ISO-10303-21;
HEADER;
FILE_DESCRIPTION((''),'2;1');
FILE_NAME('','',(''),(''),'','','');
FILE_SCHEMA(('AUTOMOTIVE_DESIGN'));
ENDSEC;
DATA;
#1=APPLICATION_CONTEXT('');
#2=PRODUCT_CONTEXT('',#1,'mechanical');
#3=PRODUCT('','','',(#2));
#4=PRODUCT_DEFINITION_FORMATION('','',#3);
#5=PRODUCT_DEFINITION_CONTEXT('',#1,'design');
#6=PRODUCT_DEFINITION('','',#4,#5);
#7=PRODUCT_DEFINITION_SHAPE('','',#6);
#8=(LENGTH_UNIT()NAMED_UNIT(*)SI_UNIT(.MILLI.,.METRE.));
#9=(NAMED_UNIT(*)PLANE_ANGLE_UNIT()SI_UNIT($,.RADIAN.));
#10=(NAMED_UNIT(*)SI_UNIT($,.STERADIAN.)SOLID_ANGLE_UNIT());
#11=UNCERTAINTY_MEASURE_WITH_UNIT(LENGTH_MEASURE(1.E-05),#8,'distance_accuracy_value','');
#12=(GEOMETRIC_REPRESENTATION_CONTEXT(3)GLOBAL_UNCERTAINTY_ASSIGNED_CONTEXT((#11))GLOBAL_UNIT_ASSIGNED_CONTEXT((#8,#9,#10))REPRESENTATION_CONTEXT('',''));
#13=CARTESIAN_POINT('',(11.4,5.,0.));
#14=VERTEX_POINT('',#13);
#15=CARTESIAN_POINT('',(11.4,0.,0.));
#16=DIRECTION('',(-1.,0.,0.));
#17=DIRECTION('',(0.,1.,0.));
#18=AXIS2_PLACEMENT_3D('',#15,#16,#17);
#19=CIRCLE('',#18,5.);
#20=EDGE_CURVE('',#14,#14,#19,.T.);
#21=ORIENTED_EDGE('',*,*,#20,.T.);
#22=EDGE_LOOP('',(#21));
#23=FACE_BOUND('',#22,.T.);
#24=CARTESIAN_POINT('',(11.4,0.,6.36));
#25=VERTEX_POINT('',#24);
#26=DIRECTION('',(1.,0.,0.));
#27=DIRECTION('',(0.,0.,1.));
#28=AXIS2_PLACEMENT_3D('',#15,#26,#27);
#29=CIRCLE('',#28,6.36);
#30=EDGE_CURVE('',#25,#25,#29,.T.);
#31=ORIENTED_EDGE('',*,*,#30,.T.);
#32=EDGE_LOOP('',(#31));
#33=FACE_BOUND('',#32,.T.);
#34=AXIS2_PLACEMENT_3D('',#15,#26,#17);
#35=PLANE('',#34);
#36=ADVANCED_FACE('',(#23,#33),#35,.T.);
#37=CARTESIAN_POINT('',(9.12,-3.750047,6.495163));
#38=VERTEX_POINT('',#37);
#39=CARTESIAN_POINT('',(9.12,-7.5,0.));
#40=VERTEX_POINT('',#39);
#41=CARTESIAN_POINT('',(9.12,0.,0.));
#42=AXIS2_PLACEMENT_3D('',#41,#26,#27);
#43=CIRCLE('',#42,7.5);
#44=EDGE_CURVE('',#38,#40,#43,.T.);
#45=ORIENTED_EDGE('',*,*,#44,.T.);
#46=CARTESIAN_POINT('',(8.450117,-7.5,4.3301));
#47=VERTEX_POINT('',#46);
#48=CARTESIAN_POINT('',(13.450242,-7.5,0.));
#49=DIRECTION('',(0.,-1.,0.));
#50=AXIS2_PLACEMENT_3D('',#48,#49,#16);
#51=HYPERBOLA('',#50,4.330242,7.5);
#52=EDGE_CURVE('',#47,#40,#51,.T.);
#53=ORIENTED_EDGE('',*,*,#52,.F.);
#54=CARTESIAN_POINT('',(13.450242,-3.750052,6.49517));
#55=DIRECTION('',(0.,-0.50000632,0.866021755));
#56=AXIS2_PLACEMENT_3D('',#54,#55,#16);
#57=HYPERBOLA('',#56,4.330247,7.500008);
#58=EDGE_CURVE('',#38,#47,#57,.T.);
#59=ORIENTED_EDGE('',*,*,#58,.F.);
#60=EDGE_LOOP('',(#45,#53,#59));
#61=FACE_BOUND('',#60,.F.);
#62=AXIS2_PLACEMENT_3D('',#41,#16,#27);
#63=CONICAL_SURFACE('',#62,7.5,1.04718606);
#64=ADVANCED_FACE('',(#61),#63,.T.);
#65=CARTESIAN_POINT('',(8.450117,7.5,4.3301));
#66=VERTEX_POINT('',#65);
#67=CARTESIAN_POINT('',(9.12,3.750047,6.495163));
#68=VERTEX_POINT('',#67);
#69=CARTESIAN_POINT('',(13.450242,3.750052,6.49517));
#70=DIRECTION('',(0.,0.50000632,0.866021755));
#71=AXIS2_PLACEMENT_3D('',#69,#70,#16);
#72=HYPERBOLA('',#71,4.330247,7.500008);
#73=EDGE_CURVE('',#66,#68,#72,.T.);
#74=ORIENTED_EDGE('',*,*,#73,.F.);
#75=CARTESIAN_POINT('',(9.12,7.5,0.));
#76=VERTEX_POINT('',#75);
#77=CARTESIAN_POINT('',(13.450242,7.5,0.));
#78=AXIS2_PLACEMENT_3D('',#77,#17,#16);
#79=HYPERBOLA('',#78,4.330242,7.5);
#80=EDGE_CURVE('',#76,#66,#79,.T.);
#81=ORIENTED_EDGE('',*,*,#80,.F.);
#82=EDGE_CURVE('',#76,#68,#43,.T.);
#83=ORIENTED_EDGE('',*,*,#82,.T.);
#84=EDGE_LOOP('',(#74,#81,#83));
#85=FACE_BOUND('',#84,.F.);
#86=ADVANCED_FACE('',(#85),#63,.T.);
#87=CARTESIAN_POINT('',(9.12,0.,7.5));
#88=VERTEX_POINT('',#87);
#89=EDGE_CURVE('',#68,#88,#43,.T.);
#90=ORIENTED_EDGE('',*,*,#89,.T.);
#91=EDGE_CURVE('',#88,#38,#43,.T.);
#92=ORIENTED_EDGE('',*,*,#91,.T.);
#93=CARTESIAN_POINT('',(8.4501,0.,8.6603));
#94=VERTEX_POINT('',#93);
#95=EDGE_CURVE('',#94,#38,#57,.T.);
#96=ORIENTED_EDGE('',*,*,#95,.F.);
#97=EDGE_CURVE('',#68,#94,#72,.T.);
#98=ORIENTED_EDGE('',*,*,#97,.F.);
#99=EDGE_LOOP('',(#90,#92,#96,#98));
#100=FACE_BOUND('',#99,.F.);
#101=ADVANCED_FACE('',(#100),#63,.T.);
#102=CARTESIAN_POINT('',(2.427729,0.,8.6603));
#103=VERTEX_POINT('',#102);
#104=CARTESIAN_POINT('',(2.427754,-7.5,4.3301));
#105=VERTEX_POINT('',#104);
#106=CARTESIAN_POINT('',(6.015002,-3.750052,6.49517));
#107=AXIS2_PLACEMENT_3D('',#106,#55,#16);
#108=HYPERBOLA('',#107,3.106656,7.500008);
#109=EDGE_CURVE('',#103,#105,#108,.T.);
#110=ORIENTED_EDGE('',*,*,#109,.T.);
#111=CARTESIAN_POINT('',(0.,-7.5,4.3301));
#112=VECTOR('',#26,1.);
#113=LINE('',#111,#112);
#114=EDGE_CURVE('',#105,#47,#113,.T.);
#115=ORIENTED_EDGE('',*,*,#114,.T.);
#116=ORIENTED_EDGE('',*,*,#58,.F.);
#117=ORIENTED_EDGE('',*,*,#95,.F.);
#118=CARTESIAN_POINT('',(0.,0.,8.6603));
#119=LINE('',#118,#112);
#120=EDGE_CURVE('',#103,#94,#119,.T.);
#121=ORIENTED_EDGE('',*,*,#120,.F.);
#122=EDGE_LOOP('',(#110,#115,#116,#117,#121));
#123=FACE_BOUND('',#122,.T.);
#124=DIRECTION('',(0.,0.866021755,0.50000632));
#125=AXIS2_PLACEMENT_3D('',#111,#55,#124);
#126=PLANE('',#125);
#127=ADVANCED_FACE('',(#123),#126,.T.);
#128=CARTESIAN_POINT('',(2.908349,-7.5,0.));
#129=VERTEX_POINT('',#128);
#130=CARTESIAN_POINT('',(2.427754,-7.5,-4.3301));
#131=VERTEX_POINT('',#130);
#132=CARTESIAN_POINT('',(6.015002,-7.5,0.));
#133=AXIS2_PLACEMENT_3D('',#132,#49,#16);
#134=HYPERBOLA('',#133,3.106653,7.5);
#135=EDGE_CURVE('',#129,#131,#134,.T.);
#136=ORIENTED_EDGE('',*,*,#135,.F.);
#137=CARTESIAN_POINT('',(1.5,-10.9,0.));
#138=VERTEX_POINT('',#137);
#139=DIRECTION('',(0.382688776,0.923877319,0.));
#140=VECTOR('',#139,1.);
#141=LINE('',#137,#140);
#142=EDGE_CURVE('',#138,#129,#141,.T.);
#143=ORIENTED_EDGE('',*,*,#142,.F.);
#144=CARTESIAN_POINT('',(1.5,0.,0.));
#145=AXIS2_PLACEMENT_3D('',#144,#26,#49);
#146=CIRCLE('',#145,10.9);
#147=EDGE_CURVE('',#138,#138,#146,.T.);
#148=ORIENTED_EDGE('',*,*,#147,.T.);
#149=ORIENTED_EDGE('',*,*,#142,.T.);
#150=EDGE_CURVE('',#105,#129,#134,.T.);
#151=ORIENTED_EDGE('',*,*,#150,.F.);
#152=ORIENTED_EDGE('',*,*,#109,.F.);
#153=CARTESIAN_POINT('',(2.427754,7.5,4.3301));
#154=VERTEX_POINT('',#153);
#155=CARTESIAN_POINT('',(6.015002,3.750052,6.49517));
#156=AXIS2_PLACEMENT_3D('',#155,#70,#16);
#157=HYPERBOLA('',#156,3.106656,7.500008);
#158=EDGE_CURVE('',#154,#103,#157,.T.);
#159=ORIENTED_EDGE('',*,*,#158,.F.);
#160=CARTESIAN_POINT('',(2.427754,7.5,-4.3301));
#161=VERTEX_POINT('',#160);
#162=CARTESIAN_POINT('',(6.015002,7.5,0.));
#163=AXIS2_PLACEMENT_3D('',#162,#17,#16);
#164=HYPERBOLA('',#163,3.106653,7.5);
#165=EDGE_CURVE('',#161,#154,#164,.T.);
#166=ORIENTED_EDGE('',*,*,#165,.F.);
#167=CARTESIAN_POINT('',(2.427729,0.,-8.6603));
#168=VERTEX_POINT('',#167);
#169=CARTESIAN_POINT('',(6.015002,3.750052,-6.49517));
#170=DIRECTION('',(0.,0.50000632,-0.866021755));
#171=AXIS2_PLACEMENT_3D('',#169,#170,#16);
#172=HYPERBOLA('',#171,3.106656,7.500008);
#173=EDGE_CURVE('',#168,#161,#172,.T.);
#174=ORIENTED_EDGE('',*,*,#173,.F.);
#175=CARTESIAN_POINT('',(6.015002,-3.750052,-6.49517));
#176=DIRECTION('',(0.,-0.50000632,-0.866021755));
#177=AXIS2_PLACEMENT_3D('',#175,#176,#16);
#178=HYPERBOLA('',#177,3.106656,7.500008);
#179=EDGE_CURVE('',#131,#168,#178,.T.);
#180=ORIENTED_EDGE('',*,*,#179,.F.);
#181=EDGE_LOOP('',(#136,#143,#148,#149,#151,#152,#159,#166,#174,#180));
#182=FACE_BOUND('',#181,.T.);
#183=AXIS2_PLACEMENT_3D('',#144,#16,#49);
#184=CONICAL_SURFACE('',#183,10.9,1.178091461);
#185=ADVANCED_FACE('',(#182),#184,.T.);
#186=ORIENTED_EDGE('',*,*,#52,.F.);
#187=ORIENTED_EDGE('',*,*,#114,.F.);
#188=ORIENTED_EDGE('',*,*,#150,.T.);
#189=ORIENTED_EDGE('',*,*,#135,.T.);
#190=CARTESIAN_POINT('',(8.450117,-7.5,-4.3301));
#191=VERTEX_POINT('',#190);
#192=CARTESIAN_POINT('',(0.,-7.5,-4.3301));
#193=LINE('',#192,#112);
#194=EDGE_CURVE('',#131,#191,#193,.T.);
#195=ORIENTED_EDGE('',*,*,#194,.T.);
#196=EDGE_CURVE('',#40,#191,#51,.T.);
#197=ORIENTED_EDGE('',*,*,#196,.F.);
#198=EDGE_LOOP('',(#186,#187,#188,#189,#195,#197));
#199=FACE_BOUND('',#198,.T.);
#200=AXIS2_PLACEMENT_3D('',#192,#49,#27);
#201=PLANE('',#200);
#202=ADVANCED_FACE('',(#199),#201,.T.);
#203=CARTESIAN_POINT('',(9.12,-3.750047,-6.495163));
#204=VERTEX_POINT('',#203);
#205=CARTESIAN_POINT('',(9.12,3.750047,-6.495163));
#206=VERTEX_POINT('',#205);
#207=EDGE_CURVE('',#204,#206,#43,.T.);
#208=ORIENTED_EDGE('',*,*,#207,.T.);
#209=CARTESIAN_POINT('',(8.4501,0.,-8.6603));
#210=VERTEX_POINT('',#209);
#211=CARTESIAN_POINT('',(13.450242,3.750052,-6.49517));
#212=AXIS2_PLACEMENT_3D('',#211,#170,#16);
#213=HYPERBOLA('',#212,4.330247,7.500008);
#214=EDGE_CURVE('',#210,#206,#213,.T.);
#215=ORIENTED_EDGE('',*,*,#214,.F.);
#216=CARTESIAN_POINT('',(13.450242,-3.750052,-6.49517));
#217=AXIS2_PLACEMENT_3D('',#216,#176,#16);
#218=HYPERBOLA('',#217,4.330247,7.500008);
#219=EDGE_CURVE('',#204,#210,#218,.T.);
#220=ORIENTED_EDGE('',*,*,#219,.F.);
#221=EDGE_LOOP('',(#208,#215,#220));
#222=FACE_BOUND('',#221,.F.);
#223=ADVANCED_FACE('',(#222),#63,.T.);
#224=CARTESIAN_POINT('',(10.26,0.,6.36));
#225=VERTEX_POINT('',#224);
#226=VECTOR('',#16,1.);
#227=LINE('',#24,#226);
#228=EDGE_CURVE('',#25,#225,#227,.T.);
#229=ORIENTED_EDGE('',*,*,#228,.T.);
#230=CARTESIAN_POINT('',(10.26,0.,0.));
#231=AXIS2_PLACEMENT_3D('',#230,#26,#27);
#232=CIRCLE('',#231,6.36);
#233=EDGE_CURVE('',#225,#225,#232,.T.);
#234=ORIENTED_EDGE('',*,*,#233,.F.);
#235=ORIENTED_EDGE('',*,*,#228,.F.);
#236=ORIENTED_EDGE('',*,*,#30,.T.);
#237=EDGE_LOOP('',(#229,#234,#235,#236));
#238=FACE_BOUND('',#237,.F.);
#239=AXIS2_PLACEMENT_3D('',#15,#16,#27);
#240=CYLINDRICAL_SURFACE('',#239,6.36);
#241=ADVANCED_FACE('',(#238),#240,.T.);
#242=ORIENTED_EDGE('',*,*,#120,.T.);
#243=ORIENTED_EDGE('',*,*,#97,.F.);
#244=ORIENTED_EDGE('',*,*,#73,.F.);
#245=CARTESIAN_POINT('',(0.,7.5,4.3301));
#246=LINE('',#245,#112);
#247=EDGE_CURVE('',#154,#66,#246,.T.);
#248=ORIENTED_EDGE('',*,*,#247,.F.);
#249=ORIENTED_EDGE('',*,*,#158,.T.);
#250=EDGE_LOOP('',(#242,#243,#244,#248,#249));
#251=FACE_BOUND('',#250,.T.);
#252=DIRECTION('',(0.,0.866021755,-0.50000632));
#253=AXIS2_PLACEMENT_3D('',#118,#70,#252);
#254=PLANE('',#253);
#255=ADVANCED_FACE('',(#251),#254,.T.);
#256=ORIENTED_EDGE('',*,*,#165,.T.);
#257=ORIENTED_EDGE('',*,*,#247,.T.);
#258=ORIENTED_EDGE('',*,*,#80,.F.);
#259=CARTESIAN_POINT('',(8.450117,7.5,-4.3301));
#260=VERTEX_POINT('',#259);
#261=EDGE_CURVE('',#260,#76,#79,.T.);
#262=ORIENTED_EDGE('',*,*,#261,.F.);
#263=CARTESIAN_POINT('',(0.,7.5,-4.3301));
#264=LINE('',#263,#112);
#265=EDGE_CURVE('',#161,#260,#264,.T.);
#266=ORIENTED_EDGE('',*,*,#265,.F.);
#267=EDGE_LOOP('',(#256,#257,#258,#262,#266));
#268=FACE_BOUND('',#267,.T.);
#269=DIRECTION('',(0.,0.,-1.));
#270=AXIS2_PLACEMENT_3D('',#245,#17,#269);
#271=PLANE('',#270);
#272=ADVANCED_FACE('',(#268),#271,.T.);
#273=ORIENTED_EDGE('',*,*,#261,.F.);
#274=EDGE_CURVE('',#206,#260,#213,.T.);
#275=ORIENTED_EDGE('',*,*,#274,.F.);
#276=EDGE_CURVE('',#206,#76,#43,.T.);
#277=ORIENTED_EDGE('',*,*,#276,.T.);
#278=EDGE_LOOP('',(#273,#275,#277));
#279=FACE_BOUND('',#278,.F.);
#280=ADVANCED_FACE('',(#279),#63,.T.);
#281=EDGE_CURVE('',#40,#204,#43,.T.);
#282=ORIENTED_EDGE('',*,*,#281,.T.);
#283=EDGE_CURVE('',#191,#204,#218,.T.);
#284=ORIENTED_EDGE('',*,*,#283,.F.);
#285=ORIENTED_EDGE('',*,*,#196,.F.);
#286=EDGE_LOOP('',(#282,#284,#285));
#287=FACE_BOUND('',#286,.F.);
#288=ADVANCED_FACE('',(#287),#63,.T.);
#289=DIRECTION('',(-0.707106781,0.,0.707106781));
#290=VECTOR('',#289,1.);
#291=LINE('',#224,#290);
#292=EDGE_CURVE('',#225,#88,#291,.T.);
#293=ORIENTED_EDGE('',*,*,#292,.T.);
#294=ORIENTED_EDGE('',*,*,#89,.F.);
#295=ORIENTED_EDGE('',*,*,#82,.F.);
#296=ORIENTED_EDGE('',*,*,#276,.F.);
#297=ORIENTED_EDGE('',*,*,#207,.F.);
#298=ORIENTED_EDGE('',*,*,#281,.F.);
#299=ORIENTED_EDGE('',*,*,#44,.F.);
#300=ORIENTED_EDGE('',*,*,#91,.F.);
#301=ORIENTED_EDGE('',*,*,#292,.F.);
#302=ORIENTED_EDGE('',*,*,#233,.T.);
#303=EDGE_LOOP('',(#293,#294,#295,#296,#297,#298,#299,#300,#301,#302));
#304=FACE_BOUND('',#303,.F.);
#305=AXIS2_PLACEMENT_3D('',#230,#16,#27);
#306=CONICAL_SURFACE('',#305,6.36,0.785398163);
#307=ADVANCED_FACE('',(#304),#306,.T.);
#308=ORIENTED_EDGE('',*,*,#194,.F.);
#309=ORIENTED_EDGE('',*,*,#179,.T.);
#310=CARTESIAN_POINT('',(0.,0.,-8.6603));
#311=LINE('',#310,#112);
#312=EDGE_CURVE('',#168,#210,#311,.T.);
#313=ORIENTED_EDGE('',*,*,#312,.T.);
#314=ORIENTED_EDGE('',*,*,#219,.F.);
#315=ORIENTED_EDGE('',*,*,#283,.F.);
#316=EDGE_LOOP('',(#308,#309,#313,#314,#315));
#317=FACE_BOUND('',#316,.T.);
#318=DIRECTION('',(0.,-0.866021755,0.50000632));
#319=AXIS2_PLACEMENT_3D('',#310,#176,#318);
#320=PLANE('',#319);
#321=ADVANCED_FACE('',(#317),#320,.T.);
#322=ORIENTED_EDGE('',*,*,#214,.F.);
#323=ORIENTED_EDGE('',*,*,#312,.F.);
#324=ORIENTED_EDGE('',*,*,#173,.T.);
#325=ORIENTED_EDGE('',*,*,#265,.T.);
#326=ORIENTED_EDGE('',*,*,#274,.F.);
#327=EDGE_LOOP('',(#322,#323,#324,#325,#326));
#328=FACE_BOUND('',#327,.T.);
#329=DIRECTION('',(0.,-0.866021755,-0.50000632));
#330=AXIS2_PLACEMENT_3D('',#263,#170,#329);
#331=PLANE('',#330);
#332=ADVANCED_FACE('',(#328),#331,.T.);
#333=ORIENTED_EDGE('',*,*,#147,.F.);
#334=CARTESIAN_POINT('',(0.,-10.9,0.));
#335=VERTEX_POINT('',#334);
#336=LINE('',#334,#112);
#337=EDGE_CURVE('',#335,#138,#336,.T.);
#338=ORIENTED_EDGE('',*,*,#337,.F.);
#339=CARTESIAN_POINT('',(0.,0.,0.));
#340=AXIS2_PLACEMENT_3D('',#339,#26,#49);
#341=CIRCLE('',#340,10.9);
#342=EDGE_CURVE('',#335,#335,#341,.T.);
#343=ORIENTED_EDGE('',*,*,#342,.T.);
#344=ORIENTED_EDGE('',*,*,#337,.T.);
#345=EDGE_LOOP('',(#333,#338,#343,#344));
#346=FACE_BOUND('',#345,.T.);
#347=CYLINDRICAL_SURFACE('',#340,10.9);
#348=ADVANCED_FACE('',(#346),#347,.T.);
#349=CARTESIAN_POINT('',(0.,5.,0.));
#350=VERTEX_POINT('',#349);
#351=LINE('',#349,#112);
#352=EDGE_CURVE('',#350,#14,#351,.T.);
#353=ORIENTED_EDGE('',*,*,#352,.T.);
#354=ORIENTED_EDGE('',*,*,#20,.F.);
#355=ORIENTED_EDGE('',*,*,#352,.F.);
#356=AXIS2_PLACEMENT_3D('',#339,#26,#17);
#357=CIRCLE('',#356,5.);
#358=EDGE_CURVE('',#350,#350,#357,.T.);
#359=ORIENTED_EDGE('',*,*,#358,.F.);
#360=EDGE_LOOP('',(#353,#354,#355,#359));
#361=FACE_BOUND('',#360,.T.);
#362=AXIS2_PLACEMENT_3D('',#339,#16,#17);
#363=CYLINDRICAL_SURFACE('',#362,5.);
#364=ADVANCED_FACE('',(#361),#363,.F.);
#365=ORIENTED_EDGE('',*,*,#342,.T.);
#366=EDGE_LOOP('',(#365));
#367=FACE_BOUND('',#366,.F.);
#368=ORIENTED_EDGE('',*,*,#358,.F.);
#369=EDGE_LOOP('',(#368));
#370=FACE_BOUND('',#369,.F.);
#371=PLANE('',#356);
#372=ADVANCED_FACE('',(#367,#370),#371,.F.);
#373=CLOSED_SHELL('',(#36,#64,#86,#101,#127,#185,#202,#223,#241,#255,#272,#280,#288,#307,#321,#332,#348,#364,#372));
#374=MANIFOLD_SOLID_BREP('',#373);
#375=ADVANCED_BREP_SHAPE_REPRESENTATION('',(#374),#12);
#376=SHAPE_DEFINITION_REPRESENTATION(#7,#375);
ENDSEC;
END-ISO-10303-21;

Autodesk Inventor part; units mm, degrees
ref_plane "YZ Plane" through (0, 0, 0) normal (1, 0, 0) x (0, 1, 0)
ref_plane "XZ Plane" through (0, 0, 0) normal (0, 1, 0) x (-1, 0, 0)
ref_plane "XY Plane" through (0, 0, 0) normal (0, 0, 1) x (1, 0, 0)
sketch "Sketch2" plane through (0, 0, 0) normal (1, 0, 0) x (0, 1, 0)
  line L0 (-7.5, 4.3301) -> (0, 8.6603)
  line L1 (0, 8.6603) -> (7.5, 4.3301)
  line L2 (7.5, 4.3301) -> (7.5, -4.3301)
  line L3 (7.5, -4.3301) -> (0, -8.6603)
  line L4 (0, -8.6603) -> (-7.5, -4.3301)
  line L5 (-7.5, -4.3301) -> (-7.5, 4.3301)
  line L6 (0, 12.1244) -> (0, -12.1244) projected
  circle A0 centre (0, 0) radius 5
  dimension "d1" = 10
extrude "Extrusion1" add sketch "Sketch2" along normal blind 11.4 contours L0 L6 A0 L4 L5 | L1 L2 L3 L6 A0
sketch "Sketch3" plane through (0, 0, 0) normal (0, 0, 1) x (1, 0, 0)
  line L0 (0, 10.9) -> (0, -10.9) projected
  line L1 (0, -10.9) -> (0, -5)
  line L2 (0, -10.9) -> (1.5, -10.9)
  line L3 (1.5, -10.9) -> (3.9439, -5)
  line L4 (3.9439, -5) -> (0, -5)
  line L5 (-0.7888, 0) -> (4.7326, 0) projected
  point P0 (0, 0)
  dimension "d4" = 1.5
  dimension "d5" = 22.5
  dimension "d6" = 5
revolve "Revolution1" add sketch "Sketch3" angle 360 about axis through (0, 0, 0) along (1, 0, 0)
sketch "Sketch4" plane through (0, 0, 0) normal (0, 1, 0) x (-1, 0, 0)
  line L0 (-11.4, 4.3301) -> (-11.4, 8.6603) projected
  line L1 (-11.4, 6.36) -> (-10.26, 6.36)
  line L2 (-10.26, 6.36) -> (-9.12, 7.5)
  line L3 (-9.12, 7.5) -> (-8.0461, 9.36)
  line L4 (-8.0461, 9.36) -> (-11.4, 9.36)
  line L5 (-11.4, 9.36) -> (-11.4, 6.36)
  line L6 (-9.12, 7.5) -> (-10.26, 6.36)
  line L7 (-8.4501, 8.6603) -> (-9.12, 7.5)
  line L8 (2.28, 0) -> (-13.68, 0) projected
  point P0 (0, 0)
  dimension "d8" = 135
  dimension "d9" = 1.14
  dimension "d10" = 6.36
  dimension "d11" = 120
  dimension "d12" = 2.28
  dimension "d13" = 3
revolve "Revolution2" cut sketch "Sketch4" angle 360 about axis through (-10, 0, 0) along (1, 0, 0)
thread "Thread1" size "M10x1.5" class "6H" standard "ANSI Metric M Profile" full length
properties part number "314-11" material "Steel, Mild"
